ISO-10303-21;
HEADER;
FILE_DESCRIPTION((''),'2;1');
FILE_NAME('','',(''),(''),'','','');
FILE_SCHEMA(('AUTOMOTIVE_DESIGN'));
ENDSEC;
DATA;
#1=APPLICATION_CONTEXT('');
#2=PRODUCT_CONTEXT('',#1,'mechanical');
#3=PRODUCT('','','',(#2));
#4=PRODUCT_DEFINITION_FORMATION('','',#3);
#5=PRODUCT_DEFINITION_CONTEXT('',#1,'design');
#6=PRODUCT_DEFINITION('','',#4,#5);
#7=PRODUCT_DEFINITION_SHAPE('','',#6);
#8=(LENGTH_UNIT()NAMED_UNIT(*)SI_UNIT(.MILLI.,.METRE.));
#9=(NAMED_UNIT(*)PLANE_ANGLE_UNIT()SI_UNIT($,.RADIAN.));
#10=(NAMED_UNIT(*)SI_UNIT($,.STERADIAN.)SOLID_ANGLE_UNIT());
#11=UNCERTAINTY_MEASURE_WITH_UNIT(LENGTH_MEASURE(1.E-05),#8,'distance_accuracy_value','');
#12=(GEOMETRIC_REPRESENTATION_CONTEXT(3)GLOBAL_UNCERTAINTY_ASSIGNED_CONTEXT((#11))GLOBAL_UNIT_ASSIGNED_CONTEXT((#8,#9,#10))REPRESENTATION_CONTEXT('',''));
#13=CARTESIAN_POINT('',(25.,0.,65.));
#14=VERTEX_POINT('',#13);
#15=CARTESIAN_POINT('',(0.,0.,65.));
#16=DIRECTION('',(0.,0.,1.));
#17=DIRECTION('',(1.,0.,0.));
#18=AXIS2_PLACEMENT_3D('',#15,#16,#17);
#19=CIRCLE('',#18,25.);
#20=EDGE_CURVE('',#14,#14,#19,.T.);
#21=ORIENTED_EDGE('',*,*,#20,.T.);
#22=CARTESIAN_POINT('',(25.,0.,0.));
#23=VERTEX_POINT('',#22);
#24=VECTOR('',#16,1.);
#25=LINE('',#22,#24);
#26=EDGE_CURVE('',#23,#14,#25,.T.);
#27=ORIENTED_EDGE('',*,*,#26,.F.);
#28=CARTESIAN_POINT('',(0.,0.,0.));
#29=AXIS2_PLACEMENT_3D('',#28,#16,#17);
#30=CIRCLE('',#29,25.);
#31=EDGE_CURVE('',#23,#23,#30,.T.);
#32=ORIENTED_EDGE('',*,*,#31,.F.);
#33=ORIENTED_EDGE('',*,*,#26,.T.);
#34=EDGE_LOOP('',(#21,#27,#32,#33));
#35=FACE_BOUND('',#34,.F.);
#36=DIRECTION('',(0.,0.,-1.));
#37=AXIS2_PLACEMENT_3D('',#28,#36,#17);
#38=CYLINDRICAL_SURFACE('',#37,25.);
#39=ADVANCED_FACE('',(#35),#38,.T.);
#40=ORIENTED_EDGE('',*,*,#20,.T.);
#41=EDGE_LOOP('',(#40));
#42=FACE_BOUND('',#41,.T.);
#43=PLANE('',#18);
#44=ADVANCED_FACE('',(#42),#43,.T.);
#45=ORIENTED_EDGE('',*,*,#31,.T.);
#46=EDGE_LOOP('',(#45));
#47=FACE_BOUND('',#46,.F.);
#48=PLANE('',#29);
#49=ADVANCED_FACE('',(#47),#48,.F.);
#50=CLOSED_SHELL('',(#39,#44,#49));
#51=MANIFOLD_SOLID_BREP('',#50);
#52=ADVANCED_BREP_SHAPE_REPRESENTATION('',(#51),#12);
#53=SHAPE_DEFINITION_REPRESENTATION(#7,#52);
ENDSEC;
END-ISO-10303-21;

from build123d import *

# Parameters (mm, degrees)
SKETCH_1_R      = 25
EXTRUDE_1_DEPTH = 65


with BuildPart() as part:
    # 草图1 → 凸台-拉伸1 (new body)
    with BuildSketch(Plane.XY):
        Circle(SKETCH_1_R)
    extrude(amount=EXTRUDE_1_DEPTH)


solid = part.part
